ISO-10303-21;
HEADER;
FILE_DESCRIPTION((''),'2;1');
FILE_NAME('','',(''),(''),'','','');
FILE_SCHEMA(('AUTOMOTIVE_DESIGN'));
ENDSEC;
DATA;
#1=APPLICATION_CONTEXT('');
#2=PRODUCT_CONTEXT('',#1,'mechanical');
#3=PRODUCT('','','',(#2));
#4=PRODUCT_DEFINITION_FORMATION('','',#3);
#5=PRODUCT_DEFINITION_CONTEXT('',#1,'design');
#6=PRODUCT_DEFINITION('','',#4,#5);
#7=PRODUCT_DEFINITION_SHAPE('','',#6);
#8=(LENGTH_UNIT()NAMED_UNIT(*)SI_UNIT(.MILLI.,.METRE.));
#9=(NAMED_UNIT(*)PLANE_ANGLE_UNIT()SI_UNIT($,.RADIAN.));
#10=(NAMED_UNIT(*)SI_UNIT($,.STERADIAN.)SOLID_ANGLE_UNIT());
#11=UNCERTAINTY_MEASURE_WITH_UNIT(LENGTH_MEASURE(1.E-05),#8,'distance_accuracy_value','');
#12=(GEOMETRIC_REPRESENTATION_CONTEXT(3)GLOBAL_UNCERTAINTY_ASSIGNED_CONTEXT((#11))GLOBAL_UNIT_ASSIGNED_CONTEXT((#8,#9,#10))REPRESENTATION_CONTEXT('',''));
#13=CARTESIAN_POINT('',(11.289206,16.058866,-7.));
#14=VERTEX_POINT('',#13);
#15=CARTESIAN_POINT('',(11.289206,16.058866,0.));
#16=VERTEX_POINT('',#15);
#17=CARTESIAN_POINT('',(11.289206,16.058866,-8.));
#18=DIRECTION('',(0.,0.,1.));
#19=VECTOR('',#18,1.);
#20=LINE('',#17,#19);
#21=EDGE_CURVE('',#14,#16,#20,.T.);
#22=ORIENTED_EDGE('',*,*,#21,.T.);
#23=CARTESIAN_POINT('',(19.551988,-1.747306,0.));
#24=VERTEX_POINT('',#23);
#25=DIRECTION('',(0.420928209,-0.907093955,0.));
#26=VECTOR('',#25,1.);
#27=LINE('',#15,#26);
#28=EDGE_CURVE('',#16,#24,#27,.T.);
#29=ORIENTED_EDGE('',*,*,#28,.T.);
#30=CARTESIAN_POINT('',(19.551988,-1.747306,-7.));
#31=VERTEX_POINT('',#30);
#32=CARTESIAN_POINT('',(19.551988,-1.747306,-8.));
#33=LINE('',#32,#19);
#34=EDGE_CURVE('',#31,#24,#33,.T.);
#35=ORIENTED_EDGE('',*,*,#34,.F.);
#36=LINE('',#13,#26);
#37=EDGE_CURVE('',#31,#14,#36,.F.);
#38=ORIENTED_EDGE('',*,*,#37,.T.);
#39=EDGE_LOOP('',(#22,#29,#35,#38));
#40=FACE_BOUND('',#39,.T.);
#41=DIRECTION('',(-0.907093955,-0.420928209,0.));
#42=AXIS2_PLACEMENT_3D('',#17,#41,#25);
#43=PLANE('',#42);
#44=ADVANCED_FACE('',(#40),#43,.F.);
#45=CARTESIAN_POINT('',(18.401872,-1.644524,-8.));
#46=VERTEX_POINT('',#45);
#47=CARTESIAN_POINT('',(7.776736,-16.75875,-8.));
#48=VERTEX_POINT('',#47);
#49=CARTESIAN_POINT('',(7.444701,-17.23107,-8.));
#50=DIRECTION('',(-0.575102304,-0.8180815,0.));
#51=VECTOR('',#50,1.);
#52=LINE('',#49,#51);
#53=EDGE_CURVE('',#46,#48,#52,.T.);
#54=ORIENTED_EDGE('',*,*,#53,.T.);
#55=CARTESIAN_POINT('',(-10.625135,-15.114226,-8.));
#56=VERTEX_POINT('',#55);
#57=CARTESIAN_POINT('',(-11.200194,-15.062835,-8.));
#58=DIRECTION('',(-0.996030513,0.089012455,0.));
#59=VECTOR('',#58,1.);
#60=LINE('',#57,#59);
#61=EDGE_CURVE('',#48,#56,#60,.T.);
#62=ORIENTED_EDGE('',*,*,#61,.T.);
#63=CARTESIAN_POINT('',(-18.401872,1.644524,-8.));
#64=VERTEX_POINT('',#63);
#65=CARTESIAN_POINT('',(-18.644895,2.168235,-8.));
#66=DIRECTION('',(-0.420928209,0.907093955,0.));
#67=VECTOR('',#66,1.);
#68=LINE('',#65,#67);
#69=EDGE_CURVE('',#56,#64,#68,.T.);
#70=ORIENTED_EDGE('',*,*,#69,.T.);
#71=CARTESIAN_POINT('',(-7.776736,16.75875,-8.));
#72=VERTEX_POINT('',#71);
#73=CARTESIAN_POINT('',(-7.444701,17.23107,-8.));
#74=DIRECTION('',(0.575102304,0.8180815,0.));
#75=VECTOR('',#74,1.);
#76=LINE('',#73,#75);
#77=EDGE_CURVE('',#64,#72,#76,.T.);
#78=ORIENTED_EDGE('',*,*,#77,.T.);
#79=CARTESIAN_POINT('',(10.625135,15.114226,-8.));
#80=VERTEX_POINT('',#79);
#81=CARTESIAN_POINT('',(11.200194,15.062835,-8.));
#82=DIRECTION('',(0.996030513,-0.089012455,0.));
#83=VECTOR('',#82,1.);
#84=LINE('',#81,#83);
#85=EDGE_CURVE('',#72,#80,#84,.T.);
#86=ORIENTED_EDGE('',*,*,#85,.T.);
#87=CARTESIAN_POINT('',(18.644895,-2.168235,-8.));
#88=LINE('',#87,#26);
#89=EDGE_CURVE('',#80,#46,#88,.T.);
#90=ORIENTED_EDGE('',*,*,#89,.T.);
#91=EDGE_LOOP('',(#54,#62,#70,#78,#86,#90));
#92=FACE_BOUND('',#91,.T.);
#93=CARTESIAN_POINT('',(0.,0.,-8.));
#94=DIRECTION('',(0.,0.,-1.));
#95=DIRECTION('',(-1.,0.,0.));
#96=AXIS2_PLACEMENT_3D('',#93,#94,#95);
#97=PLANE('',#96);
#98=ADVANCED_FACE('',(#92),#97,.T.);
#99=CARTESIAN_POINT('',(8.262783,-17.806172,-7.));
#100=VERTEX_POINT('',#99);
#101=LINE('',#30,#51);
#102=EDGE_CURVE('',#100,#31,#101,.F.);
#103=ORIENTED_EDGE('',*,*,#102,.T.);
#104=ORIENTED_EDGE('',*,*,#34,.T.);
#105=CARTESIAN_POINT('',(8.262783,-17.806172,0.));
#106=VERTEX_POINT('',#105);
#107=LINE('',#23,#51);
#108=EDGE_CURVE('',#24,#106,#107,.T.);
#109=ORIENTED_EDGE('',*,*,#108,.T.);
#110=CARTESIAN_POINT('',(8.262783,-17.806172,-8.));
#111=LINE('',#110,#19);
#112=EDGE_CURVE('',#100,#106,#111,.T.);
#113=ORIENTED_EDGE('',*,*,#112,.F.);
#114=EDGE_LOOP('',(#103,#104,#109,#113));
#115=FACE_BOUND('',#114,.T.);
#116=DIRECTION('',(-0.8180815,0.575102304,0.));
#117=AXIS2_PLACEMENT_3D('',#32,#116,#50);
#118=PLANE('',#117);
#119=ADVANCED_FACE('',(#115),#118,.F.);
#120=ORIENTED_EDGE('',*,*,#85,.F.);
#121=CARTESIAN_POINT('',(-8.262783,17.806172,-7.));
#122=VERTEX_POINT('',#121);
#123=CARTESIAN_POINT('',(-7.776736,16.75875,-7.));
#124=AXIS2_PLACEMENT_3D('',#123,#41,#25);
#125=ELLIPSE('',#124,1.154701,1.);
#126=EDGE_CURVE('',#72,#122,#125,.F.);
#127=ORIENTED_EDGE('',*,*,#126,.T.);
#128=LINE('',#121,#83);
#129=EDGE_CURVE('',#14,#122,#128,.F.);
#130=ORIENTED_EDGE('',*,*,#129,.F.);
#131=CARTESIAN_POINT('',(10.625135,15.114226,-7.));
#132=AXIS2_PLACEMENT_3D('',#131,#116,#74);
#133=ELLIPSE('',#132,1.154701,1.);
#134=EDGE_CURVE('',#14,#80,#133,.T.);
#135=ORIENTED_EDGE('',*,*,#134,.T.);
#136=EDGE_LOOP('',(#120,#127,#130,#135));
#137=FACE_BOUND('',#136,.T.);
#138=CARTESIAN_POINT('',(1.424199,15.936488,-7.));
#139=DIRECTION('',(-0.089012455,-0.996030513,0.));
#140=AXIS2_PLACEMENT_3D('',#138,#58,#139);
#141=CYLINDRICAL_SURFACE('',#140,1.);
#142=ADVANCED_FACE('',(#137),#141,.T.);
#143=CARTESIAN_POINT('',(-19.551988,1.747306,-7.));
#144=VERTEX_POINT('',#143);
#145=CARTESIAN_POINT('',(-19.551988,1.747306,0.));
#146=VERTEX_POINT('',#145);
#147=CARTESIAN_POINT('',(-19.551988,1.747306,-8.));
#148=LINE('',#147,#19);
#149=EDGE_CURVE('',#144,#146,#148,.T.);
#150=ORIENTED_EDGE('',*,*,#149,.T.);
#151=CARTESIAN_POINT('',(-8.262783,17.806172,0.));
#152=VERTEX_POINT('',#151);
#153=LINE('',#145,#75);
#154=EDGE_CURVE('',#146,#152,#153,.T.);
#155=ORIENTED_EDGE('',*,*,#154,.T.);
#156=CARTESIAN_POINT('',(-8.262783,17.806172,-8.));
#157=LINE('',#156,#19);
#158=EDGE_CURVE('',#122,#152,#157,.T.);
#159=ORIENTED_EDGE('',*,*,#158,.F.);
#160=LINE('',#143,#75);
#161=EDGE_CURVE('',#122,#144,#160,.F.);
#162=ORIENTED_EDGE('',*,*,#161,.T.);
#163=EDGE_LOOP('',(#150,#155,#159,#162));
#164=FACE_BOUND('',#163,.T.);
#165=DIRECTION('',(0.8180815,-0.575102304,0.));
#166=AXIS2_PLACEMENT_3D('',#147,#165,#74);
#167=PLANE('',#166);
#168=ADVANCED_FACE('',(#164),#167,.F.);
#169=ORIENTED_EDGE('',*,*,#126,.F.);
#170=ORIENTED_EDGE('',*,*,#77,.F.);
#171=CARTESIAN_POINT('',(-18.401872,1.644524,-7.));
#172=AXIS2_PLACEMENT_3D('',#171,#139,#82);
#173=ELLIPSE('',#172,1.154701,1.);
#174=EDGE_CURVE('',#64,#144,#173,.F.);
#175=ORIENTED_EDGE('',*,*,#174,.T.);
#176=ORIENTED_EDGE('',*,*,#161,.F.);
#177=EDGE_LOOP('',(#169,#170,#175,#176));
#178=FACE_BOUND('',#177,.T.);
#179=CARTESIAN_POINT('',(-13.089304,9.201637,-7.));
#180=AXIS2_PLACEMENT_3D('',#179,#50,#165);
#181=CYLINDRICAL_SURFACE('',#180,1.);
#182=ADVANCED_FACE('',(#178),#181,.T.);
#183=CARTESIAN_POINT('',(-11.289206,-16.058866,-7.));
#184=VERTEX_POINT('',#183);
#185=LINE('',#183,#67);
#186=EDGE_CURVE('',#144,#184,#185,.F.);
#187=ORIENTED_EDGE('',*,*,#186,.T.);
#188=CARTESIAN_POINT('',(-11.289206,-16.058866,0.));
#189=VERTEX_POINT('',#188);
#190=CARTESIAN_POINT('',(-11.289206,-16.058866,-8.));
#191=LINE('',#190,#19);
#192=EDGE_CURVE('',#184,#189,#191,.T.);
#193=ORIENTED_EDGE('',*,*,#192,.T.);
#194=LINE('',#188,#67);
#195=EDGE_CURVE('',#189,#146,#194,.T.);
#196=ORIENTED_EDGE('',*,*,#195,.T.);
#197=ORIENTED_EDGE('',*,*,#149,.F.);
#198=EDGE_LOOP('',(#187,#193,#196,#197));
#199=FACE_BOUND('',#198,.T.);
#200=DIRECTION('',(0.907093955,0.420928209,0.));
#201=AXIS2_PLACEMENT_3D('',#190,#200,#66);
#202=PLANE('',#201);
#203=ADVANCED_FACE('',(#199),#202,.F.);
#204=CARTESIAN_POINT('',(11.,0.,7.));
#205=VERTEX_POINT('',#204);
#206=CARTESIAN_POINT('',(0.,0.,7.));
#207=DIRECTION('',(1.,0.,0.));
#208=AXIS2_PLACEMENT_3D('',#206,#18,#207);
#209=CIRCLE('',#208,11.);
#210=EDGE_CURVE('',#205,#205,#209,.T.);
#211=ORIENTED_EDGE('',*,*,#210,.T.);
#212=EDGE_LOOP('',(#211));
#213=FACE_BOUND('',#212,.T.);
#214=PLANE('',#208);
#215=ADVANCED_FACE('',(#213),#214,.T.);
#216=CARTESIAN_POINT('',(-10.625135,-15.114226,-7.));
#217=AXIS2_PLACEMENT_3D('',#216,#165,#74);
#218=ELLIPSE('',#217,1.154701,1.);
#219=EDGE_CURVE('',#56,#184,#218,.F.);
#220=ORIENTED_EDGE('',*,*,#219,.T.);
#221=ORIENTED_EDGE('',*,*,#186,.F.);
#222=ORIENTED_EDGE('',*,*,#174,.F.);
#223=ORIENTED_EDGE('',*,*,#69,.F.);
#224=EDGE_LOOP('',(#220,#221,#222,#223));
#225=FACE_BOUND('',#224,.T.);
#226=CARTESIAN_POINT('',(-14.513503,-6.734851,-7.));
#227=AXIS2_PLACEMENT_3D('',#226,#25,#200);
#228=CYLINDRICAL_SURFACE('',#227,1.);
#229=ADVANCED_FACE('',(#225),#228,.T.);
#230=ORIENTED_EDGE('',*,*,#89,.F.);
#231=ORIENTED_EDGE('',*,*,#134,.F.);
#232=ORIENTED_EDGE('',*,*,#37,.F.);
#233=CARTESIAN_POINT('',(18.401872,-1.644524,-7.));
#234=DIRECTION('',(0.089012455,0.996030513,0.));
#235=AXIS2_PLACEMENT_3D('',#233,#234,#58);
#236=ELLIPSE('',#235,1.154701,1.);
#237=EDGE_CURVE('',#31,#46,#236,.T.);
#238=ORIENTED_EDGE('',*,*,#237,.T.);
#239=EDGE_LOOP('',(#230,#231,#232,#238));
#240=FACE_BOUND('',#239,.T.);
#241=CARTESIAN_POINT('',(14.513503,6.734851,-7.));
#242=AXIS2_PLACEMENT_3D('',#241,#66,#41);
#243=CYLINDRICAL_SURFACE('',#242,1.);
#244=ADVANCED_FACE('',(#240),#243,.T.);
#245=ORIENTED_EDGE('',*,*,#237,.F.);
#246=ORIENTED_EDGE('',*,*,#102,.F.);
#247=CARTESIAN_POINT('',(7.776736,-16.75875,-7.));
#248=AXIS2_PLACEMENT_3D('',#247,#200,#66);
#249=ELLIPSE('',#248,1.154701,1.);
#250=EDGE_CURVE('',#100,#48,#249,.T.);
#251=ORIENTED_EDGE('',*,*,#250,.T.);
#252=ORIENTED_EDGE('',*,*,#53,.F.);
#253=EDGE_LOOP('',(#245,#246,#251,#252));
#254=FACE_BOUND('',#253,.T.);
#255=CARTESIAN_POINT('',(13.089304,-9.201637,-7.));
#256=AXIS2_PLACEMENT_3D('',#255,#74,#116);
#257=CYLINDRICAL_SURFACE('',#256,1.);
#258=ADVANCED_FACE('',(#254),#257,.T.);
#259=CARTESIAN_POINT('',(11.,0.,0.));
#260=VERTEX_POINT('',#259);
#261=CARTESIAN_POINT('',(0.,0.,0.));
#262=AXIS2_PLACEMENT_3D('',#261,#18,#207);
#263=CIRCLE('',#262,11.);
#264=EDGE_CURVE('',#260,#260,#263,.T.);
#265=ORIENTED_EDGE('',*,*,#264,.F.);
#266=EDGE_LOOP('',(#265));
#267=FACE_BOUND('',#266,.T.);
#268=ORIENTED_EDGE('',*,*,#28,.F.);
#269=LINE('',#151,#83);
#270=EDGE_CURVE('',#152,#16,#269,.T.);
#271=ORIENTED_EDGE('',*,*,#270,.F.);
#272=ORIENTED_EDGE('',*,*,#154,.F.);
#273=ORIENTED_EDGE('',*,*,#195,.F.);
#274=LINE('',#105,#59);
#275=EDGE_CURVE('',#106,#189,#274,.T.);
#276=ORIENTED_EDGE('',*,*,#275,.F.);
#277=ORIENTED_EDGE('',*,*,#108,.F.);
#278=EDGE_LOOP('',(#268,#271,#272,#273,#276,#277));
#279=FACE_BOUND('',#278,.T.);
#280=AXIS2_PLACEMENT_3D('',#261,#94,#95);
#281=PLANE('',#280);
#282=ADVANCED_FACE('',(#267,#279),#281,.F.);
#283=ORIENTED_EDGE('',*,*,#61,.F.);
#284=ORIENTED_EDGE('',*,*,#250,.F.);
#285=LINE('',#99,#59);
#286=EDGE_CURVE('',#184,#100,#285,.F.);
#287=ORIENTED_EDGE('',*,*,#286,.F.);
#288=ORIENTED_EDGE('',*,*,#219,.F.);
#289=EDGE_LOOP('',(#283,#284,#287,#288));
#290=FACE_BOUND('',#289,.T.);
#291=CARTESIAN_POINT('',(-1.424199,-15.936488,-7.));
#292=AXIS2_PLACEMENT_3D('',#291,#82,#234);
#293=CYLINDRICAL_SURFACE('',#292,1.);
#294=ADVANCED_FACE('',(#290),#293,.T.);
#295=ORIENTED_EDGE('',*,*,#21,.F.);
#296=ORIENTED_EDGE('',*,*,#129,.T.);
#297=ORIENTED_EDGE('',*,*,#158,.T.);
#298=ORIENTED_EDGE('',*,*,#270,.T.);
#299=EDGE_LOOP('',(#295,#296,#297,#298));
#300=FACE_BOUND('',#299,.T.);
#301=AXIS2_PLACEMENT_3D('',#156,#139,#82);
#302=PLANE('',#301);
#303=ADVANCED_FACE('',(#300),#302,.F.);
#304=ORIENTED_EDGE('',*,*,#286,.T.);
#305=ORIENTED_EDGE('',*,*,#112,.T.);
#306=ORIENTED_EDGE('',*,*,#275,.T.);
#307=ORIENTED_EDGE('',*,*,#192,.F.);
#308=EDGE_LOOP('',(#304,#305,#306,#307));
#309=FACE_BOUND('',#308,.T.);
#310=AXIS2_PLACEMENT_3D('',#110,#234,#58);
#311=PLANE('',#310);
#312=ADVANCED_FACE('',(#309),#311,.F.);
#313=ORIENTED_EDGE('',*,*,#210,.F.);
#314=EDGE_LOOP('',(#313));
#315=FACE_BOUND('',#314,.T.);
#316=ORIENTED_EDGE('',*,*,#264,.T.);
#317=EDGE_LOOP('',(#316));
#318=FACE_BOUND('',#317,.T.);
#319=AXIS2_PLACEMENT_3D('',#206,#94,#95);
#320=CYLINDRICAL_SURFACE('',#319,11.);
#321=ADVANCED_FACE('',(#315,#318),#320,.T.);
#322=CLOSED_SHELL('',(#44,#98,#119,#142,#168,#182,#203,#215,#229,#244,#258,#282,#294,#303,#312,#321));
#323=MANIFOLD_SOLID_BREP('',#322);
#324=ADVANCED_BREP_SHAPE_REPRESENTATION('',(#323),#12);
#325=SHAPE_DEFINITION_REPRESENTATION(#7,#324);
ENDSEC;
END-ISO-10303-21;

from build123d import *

# Parameters (mm, degrees)
SCHIZZO1_R                   = 11
ESTRUSIONE_ESTRUSIONE1_DEPTH = 7
ESTRUSIONE_ESTRUSIONE2_DEPTH = 8
RACCORDO1_R                  = 1


with BuildPart() as part:
    # Schizzo1 → Estrusione-Estrusione1 (new body)
    with BuildSketch(Plane.XY):
        Circle(SCHIZZO1_R)
    extrude(amount=ESTRUSIONE_ESTRUSIONE1_DEPTH)

    # Schizzo2 → Estrusione-Estrusione2 (add)
    with BuildSketch(Plane(origin=(0, 0, 0), x_dir=(-1, 0, 0), z_dir=(0, 0, -1))):
        Polygon((-19.551988484, -1.747306402), (-8.26278251, -17.806171922), (11.289205974, -16.058865521), (19.551988484, 1.747306402), (8.26278251, 17.806171922), (-11.289205974, 16.058865521), align=None)
    extrude(amount=ESTRUSIONE_ESTRUSIONE2_DEPTH)

    # Raccordo1
    raccordo1_edges = [part.edges().sort_by_distance(p)[0] for p in [
        (15.420597229, 7.155779559, -8),
        (13.907385497, -9.776739162, -8),
        (-1.513211732, -16.932518721, -8),
        (-15.420597229, -7.155779559, -8),
        (-13.907385497, 9.776739162, -8),
        (1.513211732, 16.932518721, -8),
    ]]
    fillet(raccordo1_edges, radius=RACCORDO1_R)


solid = part.part
